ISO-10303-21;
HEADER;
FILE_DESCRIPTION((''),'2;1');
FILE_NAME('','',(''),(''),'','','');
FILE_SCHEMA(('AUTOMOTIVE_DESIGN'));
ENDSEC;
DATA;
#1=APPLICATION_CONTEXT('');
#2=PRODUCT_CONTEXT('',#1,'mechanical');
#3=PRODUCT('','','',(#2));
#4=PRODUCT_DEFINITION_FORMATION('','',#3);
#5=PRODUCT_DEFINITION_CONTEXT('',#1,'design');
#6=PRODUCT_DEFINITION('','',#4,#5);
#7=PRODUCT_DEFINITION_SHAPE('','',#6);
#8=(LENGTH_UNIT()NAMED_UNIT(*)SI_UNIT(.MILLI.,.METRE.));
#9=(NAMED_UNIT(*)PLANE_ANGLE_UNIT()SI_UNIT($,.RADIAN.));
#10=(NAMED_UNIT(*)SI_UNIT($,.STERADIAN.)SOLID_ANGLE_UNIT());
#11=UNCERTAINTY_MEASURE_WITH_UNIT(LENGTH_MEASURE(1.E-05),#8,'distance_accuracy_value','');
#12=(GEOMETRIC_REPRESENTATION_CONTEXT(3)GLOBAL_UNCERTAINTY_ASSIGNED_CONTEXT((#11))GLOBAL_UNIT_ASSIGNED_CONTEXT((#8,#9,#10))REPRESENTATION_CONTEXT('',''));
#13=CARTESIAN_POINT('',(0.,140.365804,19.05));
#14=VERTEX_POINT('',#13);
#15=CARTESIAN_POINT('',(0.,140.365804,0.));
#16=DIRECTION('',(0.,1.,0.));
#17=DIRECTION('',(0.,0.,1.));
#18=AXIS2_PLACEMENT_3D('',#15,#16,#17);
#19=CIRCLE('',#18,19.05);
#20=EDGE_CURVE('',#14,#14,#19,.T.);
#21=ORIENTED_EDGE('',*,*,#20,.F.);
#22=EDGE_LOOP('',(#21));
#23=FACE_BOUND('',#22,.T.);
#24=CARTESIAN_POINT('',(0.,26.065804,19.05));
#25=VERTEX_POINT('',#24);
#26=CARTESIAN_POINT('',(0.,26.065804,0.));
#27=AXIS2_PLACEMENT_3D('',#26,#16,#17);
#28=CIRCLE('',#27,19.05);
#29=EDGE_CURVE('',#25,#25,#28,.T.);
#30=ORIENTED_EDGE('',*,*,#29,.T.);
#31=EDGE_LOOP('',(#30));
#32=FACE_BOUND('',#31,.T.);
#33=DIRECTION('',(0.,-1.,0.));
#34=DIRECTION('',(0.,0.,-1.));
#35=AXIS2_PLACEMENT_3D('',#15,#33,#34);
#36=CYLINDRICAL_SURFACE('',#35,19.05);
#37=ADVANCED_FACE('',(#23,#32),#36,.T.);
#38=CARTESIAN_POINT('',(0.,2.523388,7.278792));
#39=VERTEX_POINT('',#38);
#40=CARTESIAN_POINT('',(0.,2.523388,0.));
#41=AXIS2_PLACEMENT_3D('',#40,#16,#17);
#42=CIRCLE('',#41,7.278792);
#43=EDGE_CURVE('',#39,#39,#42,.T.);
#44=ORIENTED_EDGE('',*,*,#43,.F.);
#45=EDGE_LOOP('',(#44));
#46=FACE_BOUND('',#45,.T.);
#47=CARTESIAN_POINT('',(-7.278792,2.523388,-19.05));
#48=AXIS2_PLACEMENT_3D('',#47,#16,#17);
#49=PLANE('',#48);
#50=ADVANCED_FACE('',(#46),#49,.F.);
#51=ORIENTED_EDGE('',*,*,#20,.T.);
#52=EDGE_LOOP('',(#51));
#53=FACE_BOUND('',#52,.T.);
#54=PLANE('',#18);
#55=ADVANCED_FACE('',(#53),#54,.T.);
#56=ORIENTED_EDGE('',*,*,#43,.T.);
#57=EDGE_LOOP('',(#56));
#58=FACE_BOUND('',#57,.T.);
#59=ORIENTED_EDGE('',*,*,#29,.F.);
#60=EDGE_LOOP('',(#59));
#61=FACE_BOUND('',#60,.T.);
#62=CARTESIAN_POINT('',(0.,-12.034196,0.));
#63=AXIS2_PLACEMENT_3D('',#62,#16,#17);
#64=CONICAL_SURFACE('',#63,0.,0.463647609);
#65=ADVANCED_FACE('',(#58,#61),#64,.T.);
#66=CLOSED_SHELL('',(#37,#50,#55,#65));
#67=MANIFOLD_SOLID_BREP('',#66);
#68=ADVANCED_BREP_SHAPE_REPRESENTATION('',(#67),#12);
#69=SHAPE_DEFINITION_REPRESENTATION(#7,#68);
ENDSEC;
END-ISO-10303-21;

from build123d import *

# Parameters (mm, degrees)
SKETCH2_R               = 19.05
BOSS_EXTRUDE1_DEPTH     = 114.3
CUT_EXTRUDE5_DEPTH      = 20.05
CUT_EXTRUDE5_DEPTH_BACK = 20.05


with BuildPart() as part:
    # Sketch1 → Revolve1 (revolve)
    with BuildSketch(Plane.XY):
        Polygon((0, 26.065803987), (19.05, 26.065803987), (0, -12.034196013), align=None)
    revolve(axis=Axis((0, 32.664443941, 0), (0, -1, 0)))

    # Sketch2 → Boss-Extrude1 (add)
    with BuildSketch(Plane(origin=(0, 26.065803987, 0), x_dir=(1, 0, 0), z_dir=(0, 1, 0))):
        Circle(SKETCH2_R)
    extrude(amount=BOSS_EXTRUDE1_DEPTH)

    # Sketch4 → Cut-Extrude5 (cut, two sides)
    with BuildSketch(Plane.XY) as cut_extrude5_sk:
        Polygon((-7.278791919, 2.523387825), (7.278791919, 2.523387825), (0, -12.034196013), align=None)
    extrude(amount=CUT_EXTRUDE5_DEPTH, mode=Mode.SUBTRACT)
    extrude(cut_extrude5_sk.sketch, amount=-CUT_EXTRUDE5_DEPTH_BACK, mode=Mode.SUBTRACT)


solid = part.part
